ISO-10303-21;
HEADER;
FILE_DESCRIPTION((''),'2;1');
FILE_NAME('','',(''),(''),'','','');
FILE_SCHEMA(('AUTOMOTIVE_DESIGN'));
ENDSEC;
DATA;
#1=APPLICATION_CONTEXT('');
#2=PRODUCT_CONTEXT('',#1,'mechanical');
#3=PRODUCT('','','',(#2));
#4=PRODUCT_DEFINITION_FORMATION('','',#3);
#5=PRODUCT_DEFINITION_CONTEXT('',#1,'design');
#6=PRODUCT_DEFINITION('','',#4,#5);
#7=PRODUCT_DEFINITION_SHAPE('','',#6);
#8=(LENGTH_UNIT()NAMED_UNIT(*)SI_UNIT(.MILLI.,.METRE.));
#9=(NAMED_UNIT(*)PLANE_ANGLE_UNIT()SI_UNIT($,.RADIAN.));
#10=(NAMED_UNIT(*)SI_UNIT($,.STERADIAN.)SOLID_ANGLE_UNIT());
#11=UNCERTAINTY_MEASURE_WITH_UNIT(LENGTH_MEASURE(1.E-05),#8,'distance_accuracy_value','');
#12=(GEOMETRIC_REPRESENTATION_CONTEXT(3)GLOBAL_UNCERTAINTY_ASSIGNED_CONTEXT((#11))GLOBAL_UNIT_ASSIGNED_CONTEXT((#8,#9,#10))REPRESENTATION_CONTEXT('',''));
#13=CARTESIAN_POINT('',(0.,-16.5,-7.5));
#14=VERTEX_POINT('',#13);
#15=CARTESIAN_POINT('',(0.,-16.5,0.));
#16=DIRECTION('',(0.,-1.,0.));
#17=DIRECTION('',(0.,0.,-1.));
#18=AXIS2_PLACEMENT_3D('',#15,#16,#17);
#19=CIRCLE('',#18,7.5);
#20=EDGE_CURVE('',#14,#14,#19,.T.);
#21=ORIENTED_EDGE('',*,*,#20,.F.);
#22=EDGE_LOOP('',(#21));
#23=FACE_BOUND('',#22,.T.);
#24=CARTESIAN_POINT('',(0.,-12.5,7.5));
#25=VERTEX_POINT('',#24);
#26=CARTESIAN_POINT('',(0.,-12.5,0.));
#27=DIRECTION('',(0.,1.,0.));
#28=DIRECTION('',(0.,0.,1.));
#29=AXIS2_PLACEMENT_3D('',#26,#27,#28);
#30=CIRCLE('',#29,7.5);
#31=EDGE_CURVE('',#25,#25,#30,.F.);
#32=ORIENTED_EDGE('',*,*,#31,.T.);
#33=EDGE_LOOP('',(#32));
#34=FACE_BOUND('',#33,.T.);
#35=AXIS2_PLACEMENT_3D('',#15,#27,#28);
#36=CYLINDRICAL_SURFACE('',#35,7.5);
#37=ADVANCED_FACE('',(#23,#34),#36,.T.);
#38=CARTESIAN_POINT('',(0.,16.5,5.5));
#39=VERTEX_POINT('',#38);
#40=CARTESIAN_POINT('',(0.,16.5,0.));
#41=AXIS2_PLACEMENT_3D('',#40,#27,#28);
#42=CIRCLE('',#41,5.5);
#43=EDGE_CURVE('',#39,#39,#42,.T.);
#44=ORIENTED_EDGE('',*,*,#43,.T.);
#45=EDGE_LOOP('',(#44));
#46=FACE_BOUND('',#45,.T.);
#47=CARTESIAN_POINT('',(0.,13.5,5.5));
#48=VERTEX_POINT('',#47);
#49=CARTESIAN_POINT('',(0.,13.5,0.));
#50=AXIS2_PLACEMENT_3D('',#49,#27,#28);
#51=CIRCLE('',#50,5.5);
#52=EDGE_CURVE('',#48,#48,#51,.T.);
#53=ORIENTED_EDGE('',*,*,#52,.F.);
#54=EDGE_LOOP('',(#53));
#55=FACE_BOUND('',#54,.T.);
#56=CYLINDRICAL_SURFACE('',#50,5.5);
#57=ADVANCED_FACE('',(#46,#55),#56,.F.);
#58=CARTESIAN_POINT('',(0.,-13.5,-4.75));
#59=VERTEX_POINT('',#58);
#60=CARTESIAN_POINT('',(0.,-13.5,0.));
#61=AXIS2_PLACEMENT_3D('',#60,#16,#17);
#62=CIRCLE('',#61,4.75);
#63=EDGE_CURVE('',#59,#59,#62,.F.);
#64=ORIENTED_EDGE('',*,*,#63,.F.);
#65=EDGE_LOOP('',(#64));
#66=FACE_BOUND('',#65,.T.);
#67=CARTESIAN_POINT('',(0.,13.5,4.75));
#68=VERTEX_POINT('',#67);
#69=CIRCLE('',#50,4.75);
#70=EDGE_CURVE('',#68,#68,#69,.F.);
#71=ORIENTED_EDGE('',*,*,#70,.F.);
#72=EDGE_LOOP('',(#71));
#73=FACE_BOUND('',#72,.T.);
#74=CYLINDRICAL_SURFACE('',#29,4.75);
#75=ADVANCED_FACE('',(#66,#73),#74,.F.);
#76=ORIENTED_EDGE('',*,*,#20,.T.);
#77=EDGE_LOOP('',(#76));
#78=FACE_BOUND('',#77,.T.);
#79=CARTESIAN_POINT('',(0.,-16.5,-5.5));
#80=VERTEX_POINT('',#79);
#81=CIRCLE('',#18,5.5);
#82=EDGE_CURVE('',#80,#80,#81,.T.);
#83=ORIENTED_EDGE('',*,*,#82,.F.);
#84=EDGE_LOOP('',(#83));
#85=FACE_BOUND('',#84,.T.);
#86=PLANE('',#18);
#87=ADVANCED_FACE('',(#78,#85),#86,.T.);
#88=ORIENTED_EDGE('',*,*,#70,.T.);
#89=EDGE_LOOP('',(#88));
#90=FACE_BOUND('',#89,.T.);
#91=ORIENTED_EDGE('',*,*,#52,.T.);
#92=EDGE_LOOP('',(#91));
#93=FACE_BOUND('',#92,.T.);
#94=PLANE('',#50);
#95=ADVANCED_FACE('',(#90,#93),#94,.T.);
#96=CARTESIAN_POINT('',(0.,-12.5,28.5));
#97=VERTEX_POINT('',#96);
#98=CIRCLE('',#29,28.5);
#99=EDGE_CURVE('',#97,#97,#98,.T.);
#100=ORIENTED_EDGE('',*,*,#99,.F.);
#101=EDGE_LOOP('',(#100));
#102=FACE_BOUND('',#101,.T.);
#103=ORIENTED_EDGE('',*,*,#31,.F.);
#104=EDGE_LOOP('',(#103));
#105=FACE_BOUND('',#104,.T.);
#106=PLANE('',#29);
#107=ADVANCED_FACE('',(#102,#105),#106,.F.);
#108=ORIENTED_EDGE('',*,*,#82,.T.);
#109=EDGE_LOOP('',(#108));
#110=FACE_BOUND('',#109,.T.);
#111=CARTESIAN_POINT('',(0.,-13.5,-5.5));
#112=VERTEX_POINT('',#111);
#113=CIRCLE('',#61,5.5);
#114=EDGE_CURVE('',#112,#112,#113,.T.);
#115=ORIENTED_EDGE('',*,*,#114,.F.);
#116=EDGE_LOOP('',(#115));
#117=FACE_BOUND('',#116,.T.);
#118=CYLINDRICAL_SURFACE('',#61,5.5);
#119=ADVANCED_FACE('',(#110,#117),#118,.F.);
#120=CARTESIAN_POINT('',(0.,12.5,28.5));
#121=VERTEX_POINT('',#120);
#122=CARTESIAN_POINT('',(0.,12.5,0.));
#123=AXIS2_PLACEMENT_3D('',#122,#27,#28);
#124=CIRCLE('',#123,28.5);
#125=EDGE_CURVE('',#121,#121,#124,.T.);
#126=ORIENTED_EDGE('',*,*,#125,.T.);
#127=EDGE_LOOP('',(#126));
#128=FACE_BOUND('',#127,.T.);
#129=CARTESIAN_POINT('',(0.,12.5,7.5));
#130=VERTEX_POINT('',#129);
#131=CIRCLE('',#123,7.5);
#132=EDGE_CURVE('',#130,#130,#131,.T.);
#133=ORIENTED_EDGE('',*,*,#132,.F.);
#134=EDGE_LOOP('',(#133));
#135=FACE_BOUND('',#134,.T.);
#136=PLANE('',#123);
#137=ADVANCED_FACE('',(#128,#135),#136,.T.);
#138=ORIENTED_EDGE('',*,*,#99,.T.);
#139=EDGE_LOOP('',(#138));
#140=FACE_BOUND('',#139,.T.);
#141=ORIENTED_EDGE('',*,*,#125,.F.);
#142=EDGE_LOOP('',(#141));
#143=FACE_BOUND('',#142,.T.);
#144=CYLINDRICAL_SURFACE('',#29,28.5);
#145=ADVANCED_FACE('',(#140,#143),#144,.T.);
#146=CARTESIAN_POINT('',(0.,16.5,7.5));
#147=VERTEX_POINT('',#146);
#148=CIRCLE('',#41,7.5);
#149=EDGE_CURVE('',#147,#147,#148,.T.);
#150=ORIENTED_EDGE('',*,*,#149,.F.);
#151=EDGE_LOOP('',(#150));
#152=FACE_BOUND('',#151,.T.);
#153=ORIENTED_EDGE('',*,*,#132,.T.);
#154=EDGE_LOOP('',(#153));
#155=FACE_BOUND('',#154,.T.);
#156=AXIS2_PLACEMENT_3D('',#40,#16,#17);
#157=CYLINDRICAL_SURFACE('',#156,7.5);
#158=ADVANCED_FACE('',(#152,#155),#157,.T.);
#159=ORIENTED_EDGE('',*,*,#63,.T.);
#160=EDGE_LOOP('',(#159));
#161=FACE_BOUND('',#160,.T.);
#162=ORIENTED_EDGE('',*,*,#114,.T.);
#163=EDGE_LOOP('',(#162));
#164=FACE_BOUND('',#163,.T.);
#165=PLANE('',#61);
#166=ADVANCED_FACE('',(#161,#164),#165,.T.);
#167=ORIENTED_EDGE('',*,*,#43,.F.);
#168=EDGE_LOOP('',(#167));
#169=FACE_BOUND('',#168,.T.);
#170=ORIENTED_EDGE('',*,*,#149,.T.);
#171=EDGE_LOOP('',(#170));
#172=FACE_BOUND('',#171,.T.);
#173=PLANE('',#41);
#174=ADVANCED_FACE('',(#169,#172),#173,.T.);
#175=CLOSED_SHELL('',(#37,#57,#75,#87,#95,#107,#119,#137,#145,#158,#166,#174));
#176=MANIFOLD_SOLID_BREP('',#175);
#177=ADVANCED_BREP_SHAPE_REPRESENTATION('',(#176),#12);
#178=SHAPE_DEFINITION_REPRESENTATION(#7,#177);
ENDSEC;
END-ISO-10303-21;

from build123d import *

# Parameters (mm, degrees)
EXTRUDE_1_DEPTH      = 12.5
EXTRUDE_1_DEPTH_BACK = 12.5
SKETCH_1_R           = 28.5
SKETCH_1_R_2         = 4.75
SKETCH_2_R           = 7.5
SKETCH_2_R_2         = 4.75
EXTRUDE_2_DEPTH      = 4
EXTRUDE_START        = 4
SKETCH_3_R           = 7.5
SKETCH_3_R_2         = 4.75
EXTRUDE_3_DEPTH      = 4
SKETCH_4_R           = 5.5
CUT_EXTRUDE_1_DEPTH  = 3
CUT_EXTRUDE_START    = -3
SKETCH_5_R           = 5.5
CUT_EXTRUDE_2_DEPTH  = 3


with BuildPart() as part:
    # 草图1 → 凸台-拉伸1 (new, two sides: drawn at the far end of the back side and taken through both)
    with BuildSketch(Plane(origin=(0, 0, 0), x_dir=(1, 0, 0), z_dir=(0, 1, 0)).offset(-EXTRUDE_1_DEPTH_BACK)):
        with Locations(Location((0, 0, 0), (0, 0, 270))):
            Circle(SKETCH_1_R)
        with Locations(Location((0, 0, 0), (0, 0, 270))):
            Circle(SKETCH_1_R_2, mode=Mode.SUBTRACT)
    extrude(amount=EXTRUDE_1_DEPTH + EXTRUDE_1_DEPTH_BACK)

    # 草图2 → 凸台-拉伸2 (add)
    with BuildSketch(Plane(origin=(0, 12.5, 0), x_dir=(1, 0, 0), z_dir=(0, 1, 0))):
        with Locations(Location((0, 0, 0), (0, 0, 270))):
            Circle(SKETCH_2_R)
        with Locations(Location((0, 0, 0), (0, 0, 270))):
            Circle(SKETCH_2_R_2, mode=Mode.SUBTRACT)
    extrude(amount=EXTRUDE_2_DEPTH)

    # 草图3 → 凸台-拉伸3 (add)
    with BuildSketch(Plane(origin=(0, -12.5, 0), x_dir=(-1, 0, 0), z_dir=(0, -1, 0)).offset(EXTRUDE_START)):
        with Locations(Location((0, 0, 0), (0, 0, 270))):
            Circle(SKETCH_3_R)
        with Locations(Location((0, 0, 0), (0, 0, 270))):
            Circle(SKETCH_3_R_2, mode=Mode.SUBTRACT)
    extrude(amount=-EXTRUDE_3_DEPTH)

    # 草图4 → 切除-拉伸1 (cut)
    with BuildSketch(Plane(origin=(0, 16.5, 0), x_dir=(1, 0, 0), z_dir=(0, 1, 0))):
        with Locations(Location((0, 0, 0), (0, 0, 270))):
            Circle(SKETCH_4_R)
    extrude(amount=-CUT_EXTRUDE_1_DEPTH, mode=Mode.SUBTRACT)

    # 草图5 → 切除-拉伸2 (cut)
    with BuildSketch(Plane(origin=(0, -16.5, 0), x_dir=(-1, 0, 0), z_dir=(0, -1, 0)).offset(CUT_EXTRUDE_START)):
        with Locations(Location((0, 0, 0), (0, 0, 270))):
            Circle(SKETCH_5_R)
    extrude(amount=CUT_EXTRUDE_2_DEPTH, mode=Mode.SUBTRACT)


solid = part.part
